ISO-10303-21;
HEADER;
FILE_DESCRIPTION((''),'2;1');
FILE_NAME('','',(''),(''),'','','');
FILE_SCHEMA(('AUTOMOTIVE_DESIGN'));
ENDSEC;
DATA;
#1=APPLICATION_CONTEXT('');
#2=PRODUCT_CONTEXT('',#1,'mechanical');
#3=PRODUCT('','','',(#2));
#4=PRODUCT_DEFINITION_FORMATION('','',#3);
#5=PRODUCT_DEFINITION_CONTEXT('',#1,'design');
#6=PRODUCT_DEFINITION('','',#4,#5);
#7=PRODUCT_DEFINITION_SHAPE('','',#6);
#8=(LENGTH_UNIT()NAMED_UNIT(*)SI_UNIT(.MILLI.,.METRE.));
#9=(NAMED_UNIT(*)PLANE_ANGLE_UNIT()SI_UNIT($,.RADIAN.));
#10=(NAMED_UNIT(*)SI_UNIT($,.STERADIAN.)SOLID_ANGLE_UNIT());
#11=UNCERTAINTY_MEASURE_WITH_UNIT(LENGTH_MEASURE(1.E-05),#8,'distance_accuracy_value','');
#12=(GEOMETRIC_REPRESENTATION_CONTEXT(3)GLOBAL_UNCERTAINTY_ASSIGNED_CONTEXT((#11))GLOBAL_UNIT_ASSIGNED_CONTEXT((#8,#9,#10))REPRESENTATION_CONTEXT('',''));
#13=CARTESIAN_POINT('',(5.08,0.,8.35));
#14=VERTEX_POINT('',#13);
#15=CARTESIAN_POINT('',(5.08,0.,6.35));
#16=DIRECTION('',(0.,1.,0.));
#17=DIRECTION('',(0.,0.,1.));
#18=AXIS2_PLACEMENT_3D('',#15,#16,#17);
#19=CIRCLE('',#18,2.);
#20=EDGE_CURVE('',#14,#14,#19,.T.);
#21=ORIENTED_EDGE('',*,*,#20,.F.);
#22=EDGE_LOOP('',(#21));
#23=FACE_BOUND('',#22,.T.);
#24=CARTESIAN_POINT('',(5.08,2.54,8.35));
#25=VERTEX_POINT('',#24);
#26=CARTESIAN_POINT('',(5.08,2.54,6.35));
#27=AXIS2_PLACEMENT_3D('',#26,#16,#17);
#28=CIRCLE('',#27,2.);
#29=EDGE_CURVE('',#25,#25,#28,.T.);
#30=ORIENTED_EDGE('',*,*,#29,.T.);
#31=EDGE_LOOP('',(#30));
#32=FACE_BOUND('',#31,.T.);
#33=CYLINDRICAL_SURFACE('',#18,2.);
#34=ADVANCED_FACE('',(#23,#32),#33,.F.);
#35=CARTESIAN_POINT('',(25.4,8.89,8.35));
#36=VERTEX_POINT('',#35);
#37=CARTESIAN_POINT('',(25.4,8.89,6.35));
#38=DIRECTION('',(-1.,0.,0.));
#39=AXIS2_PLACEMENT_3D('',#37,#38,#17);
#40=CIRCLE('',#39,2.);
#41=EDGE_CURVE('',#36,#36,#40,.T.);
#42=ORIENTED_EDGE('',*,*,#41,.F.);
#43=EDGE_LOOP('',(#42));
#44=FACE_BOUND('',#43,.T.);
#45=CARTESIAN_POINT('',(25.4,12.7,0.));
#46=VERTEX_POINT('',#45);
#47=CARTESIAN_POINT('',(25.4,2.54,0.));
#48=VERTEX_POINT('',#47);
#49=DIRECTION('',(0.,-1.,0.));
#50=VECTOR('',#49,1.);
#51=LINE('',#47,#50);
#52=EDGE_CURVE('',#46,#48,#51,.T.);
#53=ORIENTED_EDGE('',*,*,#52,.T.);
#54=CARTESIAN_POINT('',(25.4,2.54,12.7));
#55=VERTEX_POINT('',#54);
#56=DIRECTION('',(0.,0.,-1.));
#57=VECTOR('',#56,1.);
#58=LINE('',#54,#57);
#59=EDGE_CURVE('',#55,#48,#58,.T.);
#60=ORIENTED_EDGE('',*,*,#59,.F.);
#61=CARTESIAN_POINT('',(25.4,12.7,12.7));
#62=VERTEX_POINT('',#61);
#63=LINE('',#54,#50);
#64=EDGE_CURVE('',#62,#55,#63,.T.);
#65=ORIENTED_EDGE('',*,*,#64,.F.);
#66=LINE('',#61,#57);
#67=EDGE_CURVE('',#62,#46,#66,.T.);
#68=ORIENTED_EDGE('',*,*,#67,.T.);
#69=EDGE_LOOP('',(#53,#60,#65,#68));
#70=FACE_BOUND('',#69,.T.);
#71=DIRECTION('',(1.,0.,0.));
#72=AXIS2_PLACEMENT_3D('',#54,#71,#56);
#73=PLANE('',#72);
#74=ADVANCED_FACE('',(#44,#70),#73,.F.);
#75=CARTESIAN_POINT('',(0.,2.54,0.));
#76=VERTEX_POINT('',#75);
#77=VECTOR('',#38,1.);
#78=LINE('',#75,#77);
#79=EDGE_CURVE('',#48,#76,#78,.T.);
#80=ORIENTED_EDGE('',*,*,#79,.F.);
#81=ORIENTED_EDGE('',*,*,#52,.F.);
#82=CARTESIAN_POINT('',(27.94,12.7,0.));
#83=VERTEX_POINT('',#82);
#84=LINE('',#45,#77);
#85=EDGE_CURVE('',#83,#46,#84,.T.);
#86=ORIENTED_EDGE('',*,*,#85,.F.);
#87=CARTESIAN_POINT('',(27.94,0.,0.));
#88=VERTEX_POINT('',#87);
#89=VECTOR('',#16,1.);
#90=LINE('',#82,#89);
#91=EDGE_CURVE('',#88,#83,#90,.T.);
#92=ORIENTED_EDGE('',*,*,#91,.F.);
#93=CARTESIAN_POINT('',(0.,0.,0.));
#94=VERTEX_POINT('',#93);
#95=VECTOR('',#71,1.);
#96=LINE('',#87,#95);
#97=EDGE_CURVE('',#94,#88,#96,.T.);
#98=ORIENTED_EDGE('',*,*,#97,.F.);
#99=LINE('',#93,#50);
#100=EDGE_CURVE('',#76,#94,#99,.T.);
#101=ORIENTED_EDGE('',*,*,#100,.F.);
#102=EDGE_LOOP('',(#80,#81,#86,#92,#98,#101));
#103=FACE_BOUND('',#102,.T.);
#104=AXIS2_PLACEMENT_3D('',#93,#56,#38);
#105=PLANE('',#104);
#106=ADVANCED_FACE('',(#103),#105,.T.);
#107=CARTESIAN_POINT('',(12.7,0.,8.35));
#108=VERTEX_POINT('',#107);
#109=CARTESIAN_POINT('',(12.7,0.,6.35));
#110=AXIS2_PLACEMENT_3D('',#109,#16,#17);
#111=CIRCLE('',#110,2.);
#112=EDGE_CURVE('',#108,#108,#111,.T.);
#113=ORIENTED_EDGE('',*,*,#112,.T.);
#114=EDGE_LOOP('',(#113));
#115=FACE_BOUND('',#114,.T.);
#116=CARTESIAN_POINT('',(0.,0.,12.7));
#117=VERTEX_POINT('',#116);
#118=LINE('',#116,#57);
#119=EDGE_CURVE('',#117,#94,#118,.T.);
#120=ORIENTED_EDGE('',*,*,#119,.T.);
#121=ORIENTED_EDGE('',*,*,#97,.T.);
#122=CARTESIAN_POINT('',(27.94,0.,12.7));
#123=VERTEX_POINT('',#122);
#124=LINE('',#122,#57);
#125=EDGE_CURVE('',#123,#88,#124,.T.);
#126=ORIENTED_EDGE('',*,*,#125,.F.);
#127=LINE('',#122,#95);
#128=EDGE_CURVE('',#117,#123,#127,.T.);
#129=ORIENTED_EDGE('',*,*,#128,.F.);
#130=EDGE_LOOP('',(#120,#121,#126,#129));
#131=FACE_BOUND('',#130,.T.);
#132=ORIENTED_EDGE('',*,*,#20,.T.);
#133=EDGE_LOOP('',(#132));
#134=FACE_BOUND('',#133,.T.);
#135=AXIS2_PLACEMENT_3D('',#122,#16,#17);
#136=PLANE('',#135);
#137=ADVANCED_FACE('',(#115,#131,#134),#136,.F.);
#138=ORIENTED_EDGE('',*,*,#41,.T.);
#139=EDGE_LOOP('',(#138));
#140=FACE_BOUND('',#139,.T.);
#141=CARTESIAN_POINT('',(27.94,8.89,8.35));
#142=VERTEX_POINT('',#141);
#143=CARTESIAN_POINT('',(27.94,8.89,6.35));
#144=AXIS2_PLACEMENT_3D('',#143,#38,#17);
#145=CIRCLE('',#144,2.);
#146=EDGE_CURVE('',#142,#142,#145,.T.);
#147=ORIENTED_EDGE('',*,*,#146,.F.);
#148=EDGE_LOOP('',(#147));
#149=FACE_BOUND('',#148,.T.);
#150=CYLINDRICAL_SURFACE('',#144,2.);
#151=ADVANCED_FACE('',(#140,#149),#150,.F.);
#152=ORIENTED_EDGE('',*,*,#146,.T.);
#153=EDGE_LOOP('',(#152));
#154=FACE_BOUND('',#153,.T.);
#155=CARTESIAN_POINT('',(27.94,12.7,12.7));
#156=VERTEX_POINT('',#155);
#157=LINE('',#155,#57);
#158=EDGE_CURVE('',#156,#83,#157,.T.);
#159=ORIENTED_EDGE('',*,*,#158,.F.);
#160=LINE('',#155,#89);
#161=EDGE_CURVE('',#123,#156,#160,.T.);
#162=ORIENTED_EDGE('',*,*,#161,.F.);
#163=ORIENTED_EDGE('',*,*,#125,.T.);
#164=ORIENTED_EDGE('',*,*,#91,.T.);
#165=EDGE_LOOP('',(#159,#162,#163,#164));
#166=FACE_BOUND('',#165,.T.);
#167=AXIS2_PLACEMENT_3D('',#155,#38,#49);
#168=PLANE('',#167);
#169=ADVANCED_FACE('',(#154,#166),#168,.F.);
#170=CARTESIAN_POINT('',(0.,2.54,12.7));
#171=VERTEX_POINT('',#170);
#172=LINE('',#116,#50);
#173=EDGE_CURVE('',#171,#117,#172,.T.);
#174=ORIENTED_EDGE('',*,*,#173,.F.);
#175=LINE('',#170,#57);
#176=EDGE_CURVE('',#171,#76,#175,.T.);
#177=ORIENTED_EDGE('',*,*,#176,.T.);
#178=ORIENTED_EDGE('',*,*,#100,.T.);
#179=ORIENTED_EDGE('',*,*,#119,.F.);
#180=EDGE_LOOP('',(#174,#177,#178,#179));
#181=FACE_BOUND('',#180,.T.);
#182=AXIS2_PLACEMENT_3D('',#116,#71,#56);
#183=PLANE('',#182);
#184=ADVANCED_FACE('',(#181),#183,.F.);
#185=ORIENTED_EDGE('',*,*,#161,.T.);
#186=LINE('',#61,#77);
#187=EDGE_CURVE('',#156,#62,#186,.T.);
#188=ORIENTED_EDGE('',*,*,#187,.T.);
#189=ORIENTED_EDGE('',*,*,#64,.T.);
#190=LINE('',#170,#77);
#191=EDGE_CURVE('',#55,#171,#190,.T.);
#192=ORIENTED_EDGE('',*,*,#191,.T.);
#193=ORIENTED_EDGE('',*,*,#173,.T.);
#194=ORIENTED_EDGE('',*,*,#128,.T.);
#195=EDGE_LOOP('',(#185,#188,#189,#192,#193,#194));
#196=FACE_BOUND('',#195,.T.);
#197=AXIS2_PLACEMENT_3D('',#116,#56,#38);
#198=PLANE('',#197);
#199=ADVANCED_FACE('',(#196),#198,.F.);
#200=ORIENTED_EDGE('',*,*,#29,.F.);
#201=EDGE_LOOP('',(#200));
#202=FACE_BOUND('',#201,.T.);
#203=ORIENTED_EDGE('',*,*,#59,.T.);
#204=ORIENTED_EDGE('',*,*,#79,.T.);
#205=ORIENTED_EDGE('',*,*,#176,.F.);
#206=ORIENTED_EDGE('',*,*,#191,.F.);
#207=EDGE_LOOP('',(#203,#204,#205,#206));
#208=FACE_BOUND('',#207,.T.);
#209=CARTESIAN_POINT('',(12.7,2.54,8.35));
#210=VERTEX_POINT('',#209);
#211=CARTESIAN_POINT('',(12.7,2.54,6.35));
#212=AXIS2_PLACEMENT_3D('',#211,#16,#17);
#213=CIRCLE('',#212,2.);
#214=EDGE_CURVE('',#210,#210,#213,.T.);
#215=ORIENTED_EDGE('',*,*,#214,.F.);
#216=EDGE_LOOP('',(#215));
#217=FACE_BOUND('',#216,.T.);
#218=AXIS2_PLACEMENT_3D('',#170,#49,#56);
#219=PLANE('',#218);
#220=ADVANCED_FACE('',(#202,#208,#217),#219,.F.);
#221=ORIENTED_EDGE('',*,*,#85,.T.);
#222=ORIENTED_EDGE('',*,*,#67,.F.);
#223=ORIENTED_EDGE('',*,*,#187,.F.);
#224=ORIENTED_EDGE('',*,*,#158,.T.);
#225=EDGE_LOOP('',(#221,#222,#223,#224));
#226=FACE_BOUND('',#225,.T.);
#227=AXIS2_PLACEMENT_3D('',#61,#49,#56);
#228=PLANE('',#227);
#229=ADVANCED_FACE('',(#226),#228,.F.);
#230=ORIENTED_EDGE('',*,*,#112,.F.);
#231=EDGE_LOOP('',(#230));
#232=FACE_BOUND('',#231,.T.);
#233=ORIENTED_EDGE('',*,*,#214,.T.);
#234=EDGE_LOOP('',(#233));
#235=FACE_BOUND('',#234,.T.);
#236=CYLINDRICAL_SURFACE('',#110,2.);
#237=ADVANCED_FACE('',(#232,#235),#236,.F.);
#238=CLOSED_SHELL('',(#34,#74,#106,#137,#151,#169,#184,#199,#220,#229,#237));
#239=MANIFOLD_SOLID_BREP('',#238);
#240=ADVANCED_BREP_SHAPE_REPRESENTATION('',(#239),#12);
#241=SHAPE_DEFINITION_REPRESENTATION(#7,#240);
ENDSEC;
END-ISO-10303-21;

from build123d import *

# Parameters (mm, degrees)
BOSS_EXTRUDE1_DEPTH = 12.7
SKETCH3_R           = 2
CUT_EXTRUDE1_DEPTH  = 33.328922036
SKETCH2_R           = 2
CUT_EXTRUDE2_DEPTH  = 32.108519733


with BuildPart() as part:
    # Sketch1 → Boss-Extrude1 (new body)
    with BuildSketch(Plane.XY):
        Polygon((0, 0), (0, 2.54), (25.4, 2.54), (25.4, 12.7), (27.94, 12.7), (27.94, 0), align=None)
    extrude(amount=BOSS_EXTRUDE1_DEPTH)

    # Sketch3 → Cut-Extrude1 (cut, through all)
    with BuildSketch(Plane(origin=(0, 2.54, 0), x_dir=(1, 0, 0), z_dir=(0, 1, 0))):
        with Locations(Location((5.08, -6.35, 0), (0, 0, 270))):
            Circle(SKETCH3_R)
        with Locations(Location((12.7, -6.35, 0), (0, 0, 270))):
            Circle(SKETCH3_R)
    extrude(amount=-CUT_EXTRUDE1_DEPTH, mode=Mode.SUBTRACT)

    # Sketch2 → Cut-Extrude2 (cut, through all)
    with BuildSketch(Plane.ZY.offset(-25.4)):
        with Locations((6.35, 8.89)):
            Circle(SKETCH2_R)
    extrude(amount=-CUT_EXTRUDE2_DEPTH, mode=Mode.SUBTRACT)


solid = part.part
